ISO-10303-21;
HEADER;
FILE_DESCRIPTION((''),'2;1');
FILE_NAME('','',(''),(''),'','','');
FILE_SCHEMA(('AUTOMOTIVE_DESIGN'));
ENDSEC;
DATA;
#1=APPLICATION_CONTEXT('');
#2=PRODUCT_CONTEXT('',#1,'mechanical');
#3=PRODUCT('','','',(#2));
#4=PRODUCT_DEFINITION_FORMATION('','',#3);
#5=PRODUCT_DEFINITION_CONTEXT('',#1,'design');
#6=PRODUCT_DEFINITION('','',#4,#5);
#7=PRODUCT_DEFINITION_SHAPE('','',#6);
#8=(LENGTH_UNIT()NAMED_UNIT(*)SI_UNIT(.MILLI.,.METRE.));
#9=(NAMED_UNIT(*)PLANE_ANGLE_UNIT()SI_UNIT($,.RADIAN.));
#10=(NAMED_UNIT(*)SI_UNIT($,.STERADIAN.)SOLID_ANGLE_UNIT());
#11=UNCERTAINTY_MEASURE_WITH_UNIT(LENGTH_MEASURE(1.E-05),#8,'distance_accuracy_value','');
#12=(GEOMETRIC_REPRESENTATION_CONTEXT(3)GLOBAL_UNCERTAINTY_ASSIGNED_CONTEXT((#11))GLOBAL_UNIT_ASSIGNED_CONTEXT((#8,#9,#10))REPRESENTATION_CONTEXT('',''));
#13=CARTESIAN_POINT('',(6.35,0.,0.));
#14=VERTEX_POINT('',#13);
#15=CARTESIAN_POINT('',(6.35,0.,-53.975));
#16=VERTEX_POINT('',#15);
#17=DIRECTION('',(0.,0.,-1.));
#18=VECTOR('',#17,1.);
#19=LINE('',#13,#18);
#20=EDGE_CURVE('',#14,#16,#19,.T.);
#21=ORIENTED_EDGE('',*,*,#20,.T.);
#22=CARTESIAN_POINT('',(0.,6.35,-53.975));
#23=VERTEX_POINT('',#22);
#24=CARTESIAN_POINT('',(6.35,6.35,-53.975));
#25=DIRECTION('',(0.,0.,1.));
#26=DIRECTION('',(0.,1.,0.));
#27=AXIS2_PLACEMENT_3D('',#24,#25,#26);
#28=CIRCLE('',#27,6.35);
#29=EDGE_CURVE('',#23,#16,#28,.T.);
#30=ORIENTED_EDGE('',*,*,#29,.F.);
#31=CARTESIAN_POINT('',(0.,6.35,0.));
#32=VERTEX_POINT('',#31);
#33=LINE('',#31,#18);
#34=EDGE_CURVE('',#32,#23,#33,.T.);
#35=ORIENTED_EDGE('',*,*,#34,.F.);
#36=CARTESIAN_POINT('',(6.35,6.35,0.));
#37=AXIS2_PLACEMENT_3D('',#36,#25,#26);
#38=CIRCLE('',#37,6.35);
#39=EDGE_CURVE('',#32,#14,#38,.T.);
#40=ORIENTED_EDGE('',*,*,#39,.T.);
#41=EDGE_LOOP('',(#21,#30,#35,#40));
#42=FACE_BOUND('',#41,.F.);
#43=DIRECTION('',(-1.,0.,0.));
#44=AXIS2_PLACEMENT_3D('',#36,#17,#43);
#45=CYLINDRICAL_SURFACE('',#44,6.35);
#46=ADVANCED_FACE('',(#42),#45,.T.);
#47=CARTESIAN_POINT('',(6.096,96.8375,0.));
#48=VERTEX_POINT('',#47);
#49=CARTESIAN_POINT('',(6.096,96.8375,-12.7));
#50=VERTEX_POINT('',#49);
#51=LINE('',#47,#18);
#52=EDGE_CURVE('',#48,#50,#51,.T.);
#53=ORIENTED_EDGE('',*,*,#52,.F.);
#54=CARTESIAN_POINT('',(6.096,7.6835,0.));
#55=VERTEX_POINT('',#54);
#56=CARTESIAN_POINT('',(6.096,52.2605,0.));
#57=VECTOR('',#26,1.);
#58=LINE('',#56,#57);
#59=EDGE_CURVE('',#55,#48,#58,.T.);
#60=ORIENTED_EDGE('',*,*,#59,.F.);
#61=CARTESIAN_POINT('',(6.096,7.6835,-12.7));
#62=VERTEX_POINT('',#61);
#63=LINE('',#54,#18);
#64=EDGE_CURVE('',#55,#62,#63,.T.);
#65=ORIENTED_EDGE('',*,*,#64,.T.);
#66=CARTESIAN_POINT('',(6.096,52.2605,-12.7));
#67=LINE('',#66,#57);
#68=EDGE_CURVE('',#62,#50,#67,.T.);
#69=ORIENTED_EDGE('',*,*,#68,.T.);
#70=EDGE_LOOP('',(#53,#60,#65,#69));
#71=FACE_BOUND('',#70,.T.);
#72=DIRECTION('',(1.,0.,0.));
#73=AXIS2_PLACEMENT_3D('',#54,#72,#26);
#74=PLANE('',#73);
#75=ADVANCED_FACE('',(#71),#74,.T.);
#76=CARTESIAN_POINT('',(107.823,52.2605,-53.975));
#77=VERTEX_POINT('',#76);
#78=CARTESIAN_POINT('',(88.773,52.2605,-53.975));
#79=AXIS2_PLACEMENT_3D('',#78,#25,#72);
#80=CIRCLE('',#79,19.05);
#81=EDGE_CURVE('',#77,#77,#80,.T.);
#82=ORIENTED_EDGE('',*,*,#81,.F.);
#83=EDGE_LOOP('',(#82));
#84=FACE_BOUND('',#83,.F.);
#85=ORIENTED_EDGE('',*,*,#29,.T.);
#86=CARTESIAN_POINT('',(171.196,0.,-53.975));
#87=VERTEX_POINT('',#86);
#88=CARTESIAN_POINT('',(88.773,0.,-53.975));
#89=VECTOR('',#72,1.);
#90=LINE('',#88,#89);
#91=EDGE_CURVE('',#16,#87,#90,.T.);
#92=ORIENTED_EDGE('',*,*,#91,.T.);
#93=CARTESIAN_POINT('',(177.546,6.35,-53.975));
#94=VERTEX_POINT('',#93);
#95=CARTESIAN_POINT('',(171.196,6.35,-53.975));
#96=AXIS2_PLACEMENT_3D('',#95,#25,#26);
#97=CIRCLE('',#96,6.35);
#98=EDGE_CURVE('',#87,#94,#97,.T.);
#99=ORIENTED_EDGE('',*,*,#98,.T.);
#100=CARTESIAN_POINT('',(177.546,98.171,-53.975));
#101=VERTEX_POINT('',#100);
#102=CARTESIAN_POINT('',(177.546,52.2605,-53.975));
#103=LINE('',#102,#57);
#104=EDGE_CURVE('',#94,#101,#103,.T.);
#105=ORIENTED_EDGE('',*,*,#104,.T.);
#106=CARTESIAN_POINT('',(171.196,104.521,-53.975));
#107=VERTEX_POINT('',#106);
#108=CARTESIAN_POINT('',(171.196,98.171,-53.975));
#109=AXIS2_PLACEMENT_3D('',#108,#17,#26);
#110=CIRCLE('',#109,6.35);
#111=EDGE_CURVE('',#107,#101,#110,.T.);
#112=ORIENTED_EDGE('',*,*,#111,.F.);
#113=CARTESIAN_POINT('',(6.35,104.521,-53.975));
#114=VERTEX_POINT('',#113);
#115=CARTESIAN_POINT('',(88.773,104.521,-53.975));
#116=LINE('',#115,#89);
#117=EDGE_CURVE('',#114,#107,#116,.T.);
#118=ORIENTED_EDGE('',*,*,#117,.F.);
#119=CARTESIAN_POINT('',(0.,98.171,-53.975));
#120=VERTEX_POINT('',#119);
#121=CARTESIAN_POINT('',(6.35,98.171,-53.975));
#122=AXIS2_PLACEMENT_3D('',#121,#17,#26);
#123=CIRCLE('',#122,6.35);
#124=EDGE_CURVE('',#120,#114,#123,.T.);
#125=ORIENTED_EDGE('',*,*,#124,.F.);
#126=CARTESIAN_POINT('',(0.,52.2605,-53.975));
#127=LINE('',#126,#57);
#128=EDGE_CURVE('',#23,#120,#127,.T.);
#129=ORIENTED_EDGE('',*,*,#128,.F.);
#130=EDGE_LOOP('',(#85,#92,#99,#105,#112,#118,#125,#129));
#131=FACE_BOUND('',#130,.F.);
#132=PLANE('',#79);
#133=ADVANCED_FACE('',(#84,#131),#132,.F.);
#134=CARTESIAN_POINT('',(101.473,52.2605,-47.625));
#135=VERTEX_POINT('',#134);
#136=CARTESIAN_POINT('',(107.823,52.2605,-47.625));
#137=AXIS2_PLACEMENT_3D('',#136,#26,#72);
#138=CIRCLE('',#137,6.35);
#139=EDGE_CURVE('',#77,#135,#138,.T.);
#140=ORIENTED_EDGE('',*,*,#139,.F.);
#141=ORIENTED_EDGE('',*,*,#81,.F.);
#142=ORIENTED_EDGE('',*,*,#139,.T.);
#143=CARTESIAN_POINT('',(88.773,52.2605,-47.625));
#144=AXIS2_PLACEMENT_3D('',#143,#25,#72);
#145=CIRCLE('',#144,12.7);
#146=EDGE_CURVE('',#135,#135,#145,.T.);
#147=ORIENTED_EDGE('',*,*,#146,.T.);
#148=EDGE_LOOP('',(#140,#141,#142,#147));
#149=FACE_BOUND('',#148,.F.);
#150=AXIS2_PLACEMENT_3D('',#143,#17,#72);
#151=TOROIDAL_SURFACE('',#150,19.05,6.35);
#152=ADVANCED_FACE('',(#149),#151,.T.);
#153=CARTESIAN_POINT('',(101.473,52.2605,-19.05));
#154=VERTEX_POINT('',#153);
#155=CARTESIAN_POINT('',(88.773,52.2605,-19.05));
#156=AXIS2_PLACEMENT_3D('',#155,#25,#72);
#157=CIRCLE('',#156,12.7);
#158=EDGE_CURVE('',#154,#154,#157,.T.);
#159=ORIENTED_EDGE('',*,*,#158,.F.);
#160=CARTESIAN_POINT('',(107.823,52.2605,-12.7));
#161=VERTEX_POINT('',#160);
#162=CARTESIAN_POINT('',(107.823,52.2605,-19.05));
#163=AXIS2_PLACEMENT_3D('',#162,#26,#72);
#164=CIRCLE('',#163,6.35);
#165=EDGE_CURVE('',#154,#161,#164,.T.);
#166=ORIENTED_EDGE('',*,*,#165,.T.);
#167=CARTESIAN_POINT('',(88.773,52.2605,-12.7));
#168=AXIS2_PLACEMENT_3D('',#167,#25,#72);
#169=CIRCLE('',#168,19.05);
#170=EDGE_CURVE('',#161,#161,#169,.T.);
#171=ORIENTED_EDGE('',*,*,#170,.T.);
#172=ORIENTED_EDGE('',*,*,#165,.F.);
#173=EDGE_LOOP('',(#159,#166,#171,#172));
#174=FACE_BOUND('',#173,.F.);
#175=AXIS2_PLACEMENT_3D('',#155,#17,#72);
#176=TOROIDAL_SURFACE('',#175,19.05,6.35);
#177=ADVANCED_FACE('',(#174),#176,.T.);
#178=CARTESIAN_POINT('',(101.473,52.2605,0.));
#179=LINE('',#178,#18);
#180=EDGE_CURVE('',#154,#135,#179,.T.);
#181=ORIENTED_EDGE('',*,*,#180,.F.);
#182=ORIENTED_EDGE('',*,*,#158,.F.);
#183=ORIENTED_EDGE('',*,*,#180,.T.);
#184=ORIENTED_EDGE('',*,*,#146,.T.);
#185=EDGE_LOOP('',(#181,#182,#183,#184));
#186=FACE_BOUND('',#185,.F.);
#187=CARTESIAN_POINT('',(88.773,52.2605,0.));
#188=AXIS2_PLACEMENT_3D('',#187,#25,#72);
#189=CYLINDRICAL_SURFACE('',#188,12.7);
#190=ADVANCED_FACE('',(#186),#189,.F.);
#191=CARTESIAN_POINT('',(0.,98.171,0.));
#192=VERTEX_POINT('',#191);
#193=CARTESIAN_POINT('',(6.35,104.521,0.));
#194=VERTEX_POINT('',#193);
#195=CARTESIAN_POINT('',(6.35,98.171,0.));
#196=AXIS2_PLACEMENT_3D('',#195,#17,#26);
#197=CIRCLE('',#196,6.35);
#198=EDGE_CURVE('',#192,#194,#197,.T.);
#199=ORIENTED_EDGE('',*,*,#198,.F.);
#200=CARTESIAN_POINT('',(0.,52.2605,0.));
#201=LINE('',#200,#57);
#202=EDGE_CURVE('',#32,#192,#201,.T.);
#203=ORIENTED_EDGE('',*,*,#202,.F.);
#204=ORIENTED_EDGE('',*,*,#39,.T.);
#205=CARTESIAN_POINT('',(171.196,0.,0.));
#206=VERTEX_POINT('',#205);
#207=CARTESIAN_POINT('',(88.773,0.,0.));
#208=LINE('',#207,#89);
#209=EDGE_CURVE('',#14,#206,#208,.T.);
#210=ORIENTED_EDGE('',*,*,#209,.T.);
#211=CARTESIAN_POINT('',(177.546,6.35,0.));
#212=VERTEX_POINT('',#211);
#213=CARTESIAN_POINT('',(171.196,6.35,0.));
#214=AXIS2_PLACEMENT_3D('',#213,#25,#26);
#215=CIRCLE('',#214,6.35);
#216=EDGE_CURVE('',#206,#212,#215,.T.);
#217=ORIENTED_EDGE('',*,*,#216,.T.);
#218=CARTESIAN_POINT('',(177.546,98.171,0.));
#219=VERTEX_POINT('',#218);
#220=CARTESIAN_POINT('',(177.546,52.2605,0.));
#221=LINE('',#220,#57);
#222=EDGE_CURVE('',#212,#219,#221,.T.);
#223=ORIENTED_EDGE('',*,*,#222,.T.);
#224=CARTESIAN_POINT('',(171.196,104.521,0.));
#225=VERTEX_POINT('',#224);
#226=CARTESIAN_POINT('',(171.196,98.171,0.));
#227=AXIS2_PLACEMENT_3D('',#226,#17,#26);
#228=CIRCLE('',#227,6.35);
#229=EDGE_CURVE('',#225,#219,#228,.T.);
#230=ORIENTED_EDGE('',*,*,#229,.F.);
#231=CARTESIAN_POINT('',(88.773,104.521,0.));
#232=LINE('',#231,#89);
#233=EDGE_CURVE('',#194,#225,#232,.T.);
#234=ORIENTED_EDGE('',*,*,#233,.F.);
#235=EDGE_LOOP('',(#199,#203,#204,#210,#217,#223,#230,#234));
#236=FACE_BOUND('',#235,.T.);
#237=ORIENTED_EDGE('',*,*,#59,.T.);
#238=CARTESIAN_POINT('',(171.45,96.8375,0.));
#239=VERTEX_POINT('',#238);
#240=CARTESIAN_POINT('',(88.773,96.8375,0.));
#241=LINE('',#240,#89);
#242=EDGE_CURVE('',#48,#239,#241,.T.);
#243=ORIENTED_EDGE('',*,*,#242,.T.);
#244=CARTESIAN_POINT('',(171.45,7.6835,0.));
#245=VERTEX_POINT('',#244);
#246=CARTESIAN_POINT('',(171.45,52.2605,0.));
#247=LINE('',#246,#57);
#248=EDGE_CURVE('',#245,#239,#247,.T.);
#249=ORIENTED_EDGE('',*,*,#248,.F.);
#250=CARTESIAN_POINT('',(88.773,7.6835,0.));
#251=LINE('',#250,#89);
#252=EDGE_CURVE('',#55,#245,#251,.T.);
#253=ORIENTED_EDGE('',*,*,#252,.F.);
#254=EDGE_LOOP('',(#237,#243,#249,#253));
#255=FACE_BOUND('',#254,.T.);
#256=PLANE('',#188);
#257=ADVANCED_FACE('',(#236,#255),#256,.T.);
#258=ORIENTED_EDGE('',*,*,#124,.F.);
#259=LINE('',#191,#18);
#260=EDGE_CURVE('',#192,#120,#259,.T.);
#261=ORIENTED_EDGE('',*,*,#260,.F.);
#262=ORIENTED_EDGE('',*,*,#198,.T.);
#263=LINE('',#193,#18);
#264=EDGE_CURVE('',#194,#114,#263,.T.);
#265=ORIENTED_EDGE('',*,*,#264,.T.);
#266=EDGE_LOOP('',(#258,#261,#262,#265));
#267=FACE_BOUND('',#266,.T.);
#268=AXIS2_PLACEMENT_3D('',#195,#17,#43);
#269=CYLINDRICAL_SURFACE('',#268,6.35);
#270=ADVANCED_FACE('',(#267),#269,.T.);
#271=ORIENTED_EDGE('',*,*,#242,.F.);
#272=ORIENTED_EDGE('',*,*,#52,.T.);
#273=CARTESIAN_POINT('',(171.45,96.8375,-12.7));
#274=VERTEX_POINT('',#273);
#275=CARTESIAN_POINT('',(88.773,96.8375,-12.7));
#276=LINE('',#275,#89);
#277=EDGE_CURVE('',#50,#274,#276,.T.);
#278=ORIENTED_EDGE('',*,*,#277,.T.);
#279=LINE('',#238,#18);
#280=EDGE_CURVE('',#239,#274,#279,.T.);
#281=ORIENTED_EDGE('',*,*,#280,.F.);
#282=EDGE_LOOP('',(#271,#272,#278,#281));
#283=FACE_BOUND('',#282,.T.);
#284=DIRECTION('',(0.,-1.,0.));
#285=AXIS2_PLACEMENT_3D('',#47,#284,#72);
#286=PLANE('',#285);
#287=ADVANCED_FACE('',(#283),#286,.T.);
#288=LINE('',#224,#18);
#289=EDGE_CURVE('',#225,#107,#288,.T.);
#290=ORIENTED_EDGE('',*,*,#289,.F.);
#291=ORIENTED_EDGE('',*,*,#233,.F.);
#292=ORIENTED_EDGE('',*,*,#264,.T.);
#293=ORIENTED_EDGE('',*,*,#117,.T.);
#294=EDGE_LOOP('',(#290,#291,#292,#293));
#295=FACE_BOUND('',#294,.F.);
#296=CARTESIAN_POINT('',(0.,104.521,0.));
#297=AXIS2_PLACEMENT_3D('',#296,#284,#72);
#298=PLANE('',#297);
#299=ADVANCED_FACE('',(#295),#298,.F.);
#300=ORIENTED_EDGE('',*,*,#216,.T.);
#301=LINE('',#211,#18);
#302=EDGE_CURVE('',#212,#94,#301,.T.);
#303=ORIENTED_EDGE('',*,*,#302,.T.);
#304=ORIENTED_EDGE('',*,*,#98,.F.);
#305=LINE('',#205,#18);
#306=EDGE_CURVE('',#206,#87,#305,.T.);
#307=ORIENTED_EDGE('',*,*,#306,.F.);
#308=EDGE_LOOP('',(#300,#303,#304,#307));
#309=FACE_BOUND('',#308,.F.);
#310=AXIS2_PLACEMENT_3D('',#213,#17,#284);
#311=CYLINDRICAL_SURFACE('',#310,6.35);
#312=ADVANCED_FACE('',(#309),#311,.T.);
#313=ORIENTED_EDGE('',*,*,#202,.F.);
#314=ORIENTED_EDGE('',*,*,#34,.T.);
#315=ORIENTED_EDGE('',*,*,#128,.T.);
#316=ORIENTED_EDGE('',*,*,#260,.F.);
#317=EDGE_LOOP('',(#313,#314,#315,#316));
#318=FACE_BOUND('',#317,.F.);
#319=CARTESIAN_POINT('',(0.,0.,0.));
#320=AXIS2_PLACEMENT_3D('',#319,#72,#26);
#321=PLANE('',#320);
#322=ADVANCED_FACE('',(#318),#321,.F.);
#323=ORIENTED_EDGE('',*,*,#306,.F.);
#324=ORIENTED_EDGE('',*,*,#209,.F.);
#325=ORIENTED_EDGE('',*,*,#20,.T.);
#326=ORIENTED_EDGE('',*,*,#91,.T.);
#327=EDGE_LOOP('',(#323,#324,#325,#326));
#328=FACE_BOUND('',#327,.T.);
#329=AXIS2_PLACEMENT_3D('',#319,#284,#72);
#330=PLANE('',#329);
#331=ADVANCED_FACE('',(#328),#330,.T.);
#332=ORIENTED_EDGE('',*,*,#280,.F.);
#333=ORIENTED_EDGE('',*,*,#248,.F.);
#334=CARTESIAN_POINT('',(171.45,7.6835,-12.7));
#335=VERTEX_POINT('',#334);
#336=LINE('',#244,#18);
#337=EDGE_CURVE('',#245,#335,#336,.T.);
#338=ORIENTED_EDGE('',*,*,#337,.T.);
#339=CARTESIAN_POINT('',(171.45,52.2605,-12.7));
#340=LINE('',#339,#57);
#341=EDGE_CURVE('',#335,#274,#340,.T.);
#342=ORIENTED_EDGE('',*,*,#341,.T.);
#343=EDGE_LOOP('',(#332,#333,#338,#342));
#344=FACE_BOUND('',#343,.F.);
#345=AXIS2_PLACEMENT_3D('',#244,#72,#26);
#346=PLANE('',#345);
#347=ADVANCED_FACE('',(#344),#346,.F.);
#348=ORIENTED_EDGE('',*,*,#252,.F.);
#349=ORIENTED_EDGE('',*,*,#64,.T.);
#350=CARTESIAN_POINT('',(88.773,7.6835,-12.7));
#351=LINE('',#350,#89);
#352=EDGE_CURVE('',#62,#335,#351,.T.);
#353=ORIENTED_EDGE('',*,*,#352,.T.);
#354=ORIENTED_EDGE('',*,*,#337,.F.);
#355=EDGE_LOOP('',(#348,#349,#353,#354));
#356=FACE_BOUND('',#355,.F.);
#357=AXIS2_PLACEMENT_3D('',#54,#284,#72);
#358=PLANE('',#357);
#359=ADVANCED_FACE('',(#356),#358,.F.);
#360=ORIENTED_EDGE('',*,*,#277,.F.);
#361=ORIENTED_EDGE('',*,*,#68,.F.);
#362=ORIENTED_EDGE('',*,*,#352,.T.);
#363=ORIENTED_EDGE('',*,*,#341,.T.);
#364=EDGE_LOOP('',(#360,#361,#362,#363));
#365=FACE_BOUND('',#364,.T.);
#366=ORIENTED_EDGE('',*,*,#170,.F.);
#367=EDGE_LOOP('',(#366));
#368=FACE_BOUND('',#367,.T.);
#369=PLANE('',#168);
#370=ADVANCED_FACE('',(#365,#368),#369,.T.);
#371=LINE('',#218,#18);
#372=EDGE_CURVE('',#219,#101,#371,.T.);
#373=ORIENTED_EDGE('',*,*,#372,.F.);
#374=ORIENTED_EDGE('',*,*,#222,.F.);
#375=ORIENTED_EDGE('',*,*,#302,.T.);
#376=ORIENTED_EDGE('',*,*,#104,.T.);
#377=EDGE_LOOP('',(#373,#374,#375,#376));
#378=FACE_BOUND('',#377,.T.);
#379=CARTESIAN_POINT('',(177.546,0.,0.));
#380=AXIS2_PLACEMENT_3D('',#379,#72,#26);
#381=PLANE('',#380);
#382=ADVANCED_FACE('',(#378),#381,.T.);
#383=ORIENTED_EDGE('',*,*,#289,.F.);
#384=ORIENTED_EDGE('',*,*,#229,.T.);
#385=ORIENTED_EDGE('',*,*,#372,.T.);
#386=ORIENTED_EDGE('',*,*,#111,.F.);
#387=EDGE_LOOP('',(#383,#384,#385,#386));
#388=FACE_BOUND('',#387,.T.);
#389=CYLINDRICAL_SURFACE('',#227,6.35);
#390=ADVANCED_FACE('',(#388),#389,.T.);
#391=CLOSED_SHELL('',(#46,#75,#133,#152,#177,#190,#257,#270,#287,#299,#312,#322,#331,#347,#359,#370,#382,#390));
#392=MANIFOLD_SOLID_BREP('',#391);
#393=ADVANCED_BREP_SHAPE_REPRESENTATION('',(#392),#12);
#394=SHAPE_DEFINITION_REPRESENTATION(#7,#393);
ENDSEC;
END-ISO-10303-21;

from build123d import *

# Parameters (mm, degrees)
F0_W     = 177.546
F0_H     = 104.521
F0_W_2   = 165.354
F0_H_2   = 89.154
F0_R     = 12.7
F1_DEPTH = 53.975
F2_DEPTH = 12.7
F3_R     = 6.35


with BuildPart() as f1:
    # F0 (on Top) → F1 (new body)
    with BuildSketch(Plane.XY):
        with Locations((88.773, 52.2605)):
            Rectangle(F0_W, F0_H)
        with Locations((88.773, 52.2605)):
            Rectangle(F0_W_2, F0_H_2, mode=Mode.SUBTRACT)
        with Locations((88.773, 52.2605)):
            Rectangle(F0_W_2, F0_H_2)
        with Locations((88.773, 52.2605)):
            Circle(F0_R, mode=Mode.SUBTRACT)
    extrude(amount=-F1_DEPTH)

    # F0 (on Top) → F2 (cut)
    with BuildSketch(Plane.XY):
        with Locations((88.773, 52.2605)):
            Rectangle(F0_W_2, F0_H_2)
        with Locations((88.773, 52.2605)):
            Circle(F0_R, mode=Mode.SUBTRACT)
    extrude(amount=-F2_DEPTH, mode=Mode.SUBTRACT)

    # F3
    f3_edges = [f1.edges().sort_by_distance(p)[0] for p in [
        (0, 0, -26.9875),
        (177.546, 104.521, -26.9875),
        (177.546, 0, -26.9875),
        (0, 104.521, -26.9875),
        (76.073, 52.2605, -12.7),
        (76.073, 52.2605, -53.975),
    ]]
    fillet(f3_edges, radius=F3_R)


solid = f1.part
